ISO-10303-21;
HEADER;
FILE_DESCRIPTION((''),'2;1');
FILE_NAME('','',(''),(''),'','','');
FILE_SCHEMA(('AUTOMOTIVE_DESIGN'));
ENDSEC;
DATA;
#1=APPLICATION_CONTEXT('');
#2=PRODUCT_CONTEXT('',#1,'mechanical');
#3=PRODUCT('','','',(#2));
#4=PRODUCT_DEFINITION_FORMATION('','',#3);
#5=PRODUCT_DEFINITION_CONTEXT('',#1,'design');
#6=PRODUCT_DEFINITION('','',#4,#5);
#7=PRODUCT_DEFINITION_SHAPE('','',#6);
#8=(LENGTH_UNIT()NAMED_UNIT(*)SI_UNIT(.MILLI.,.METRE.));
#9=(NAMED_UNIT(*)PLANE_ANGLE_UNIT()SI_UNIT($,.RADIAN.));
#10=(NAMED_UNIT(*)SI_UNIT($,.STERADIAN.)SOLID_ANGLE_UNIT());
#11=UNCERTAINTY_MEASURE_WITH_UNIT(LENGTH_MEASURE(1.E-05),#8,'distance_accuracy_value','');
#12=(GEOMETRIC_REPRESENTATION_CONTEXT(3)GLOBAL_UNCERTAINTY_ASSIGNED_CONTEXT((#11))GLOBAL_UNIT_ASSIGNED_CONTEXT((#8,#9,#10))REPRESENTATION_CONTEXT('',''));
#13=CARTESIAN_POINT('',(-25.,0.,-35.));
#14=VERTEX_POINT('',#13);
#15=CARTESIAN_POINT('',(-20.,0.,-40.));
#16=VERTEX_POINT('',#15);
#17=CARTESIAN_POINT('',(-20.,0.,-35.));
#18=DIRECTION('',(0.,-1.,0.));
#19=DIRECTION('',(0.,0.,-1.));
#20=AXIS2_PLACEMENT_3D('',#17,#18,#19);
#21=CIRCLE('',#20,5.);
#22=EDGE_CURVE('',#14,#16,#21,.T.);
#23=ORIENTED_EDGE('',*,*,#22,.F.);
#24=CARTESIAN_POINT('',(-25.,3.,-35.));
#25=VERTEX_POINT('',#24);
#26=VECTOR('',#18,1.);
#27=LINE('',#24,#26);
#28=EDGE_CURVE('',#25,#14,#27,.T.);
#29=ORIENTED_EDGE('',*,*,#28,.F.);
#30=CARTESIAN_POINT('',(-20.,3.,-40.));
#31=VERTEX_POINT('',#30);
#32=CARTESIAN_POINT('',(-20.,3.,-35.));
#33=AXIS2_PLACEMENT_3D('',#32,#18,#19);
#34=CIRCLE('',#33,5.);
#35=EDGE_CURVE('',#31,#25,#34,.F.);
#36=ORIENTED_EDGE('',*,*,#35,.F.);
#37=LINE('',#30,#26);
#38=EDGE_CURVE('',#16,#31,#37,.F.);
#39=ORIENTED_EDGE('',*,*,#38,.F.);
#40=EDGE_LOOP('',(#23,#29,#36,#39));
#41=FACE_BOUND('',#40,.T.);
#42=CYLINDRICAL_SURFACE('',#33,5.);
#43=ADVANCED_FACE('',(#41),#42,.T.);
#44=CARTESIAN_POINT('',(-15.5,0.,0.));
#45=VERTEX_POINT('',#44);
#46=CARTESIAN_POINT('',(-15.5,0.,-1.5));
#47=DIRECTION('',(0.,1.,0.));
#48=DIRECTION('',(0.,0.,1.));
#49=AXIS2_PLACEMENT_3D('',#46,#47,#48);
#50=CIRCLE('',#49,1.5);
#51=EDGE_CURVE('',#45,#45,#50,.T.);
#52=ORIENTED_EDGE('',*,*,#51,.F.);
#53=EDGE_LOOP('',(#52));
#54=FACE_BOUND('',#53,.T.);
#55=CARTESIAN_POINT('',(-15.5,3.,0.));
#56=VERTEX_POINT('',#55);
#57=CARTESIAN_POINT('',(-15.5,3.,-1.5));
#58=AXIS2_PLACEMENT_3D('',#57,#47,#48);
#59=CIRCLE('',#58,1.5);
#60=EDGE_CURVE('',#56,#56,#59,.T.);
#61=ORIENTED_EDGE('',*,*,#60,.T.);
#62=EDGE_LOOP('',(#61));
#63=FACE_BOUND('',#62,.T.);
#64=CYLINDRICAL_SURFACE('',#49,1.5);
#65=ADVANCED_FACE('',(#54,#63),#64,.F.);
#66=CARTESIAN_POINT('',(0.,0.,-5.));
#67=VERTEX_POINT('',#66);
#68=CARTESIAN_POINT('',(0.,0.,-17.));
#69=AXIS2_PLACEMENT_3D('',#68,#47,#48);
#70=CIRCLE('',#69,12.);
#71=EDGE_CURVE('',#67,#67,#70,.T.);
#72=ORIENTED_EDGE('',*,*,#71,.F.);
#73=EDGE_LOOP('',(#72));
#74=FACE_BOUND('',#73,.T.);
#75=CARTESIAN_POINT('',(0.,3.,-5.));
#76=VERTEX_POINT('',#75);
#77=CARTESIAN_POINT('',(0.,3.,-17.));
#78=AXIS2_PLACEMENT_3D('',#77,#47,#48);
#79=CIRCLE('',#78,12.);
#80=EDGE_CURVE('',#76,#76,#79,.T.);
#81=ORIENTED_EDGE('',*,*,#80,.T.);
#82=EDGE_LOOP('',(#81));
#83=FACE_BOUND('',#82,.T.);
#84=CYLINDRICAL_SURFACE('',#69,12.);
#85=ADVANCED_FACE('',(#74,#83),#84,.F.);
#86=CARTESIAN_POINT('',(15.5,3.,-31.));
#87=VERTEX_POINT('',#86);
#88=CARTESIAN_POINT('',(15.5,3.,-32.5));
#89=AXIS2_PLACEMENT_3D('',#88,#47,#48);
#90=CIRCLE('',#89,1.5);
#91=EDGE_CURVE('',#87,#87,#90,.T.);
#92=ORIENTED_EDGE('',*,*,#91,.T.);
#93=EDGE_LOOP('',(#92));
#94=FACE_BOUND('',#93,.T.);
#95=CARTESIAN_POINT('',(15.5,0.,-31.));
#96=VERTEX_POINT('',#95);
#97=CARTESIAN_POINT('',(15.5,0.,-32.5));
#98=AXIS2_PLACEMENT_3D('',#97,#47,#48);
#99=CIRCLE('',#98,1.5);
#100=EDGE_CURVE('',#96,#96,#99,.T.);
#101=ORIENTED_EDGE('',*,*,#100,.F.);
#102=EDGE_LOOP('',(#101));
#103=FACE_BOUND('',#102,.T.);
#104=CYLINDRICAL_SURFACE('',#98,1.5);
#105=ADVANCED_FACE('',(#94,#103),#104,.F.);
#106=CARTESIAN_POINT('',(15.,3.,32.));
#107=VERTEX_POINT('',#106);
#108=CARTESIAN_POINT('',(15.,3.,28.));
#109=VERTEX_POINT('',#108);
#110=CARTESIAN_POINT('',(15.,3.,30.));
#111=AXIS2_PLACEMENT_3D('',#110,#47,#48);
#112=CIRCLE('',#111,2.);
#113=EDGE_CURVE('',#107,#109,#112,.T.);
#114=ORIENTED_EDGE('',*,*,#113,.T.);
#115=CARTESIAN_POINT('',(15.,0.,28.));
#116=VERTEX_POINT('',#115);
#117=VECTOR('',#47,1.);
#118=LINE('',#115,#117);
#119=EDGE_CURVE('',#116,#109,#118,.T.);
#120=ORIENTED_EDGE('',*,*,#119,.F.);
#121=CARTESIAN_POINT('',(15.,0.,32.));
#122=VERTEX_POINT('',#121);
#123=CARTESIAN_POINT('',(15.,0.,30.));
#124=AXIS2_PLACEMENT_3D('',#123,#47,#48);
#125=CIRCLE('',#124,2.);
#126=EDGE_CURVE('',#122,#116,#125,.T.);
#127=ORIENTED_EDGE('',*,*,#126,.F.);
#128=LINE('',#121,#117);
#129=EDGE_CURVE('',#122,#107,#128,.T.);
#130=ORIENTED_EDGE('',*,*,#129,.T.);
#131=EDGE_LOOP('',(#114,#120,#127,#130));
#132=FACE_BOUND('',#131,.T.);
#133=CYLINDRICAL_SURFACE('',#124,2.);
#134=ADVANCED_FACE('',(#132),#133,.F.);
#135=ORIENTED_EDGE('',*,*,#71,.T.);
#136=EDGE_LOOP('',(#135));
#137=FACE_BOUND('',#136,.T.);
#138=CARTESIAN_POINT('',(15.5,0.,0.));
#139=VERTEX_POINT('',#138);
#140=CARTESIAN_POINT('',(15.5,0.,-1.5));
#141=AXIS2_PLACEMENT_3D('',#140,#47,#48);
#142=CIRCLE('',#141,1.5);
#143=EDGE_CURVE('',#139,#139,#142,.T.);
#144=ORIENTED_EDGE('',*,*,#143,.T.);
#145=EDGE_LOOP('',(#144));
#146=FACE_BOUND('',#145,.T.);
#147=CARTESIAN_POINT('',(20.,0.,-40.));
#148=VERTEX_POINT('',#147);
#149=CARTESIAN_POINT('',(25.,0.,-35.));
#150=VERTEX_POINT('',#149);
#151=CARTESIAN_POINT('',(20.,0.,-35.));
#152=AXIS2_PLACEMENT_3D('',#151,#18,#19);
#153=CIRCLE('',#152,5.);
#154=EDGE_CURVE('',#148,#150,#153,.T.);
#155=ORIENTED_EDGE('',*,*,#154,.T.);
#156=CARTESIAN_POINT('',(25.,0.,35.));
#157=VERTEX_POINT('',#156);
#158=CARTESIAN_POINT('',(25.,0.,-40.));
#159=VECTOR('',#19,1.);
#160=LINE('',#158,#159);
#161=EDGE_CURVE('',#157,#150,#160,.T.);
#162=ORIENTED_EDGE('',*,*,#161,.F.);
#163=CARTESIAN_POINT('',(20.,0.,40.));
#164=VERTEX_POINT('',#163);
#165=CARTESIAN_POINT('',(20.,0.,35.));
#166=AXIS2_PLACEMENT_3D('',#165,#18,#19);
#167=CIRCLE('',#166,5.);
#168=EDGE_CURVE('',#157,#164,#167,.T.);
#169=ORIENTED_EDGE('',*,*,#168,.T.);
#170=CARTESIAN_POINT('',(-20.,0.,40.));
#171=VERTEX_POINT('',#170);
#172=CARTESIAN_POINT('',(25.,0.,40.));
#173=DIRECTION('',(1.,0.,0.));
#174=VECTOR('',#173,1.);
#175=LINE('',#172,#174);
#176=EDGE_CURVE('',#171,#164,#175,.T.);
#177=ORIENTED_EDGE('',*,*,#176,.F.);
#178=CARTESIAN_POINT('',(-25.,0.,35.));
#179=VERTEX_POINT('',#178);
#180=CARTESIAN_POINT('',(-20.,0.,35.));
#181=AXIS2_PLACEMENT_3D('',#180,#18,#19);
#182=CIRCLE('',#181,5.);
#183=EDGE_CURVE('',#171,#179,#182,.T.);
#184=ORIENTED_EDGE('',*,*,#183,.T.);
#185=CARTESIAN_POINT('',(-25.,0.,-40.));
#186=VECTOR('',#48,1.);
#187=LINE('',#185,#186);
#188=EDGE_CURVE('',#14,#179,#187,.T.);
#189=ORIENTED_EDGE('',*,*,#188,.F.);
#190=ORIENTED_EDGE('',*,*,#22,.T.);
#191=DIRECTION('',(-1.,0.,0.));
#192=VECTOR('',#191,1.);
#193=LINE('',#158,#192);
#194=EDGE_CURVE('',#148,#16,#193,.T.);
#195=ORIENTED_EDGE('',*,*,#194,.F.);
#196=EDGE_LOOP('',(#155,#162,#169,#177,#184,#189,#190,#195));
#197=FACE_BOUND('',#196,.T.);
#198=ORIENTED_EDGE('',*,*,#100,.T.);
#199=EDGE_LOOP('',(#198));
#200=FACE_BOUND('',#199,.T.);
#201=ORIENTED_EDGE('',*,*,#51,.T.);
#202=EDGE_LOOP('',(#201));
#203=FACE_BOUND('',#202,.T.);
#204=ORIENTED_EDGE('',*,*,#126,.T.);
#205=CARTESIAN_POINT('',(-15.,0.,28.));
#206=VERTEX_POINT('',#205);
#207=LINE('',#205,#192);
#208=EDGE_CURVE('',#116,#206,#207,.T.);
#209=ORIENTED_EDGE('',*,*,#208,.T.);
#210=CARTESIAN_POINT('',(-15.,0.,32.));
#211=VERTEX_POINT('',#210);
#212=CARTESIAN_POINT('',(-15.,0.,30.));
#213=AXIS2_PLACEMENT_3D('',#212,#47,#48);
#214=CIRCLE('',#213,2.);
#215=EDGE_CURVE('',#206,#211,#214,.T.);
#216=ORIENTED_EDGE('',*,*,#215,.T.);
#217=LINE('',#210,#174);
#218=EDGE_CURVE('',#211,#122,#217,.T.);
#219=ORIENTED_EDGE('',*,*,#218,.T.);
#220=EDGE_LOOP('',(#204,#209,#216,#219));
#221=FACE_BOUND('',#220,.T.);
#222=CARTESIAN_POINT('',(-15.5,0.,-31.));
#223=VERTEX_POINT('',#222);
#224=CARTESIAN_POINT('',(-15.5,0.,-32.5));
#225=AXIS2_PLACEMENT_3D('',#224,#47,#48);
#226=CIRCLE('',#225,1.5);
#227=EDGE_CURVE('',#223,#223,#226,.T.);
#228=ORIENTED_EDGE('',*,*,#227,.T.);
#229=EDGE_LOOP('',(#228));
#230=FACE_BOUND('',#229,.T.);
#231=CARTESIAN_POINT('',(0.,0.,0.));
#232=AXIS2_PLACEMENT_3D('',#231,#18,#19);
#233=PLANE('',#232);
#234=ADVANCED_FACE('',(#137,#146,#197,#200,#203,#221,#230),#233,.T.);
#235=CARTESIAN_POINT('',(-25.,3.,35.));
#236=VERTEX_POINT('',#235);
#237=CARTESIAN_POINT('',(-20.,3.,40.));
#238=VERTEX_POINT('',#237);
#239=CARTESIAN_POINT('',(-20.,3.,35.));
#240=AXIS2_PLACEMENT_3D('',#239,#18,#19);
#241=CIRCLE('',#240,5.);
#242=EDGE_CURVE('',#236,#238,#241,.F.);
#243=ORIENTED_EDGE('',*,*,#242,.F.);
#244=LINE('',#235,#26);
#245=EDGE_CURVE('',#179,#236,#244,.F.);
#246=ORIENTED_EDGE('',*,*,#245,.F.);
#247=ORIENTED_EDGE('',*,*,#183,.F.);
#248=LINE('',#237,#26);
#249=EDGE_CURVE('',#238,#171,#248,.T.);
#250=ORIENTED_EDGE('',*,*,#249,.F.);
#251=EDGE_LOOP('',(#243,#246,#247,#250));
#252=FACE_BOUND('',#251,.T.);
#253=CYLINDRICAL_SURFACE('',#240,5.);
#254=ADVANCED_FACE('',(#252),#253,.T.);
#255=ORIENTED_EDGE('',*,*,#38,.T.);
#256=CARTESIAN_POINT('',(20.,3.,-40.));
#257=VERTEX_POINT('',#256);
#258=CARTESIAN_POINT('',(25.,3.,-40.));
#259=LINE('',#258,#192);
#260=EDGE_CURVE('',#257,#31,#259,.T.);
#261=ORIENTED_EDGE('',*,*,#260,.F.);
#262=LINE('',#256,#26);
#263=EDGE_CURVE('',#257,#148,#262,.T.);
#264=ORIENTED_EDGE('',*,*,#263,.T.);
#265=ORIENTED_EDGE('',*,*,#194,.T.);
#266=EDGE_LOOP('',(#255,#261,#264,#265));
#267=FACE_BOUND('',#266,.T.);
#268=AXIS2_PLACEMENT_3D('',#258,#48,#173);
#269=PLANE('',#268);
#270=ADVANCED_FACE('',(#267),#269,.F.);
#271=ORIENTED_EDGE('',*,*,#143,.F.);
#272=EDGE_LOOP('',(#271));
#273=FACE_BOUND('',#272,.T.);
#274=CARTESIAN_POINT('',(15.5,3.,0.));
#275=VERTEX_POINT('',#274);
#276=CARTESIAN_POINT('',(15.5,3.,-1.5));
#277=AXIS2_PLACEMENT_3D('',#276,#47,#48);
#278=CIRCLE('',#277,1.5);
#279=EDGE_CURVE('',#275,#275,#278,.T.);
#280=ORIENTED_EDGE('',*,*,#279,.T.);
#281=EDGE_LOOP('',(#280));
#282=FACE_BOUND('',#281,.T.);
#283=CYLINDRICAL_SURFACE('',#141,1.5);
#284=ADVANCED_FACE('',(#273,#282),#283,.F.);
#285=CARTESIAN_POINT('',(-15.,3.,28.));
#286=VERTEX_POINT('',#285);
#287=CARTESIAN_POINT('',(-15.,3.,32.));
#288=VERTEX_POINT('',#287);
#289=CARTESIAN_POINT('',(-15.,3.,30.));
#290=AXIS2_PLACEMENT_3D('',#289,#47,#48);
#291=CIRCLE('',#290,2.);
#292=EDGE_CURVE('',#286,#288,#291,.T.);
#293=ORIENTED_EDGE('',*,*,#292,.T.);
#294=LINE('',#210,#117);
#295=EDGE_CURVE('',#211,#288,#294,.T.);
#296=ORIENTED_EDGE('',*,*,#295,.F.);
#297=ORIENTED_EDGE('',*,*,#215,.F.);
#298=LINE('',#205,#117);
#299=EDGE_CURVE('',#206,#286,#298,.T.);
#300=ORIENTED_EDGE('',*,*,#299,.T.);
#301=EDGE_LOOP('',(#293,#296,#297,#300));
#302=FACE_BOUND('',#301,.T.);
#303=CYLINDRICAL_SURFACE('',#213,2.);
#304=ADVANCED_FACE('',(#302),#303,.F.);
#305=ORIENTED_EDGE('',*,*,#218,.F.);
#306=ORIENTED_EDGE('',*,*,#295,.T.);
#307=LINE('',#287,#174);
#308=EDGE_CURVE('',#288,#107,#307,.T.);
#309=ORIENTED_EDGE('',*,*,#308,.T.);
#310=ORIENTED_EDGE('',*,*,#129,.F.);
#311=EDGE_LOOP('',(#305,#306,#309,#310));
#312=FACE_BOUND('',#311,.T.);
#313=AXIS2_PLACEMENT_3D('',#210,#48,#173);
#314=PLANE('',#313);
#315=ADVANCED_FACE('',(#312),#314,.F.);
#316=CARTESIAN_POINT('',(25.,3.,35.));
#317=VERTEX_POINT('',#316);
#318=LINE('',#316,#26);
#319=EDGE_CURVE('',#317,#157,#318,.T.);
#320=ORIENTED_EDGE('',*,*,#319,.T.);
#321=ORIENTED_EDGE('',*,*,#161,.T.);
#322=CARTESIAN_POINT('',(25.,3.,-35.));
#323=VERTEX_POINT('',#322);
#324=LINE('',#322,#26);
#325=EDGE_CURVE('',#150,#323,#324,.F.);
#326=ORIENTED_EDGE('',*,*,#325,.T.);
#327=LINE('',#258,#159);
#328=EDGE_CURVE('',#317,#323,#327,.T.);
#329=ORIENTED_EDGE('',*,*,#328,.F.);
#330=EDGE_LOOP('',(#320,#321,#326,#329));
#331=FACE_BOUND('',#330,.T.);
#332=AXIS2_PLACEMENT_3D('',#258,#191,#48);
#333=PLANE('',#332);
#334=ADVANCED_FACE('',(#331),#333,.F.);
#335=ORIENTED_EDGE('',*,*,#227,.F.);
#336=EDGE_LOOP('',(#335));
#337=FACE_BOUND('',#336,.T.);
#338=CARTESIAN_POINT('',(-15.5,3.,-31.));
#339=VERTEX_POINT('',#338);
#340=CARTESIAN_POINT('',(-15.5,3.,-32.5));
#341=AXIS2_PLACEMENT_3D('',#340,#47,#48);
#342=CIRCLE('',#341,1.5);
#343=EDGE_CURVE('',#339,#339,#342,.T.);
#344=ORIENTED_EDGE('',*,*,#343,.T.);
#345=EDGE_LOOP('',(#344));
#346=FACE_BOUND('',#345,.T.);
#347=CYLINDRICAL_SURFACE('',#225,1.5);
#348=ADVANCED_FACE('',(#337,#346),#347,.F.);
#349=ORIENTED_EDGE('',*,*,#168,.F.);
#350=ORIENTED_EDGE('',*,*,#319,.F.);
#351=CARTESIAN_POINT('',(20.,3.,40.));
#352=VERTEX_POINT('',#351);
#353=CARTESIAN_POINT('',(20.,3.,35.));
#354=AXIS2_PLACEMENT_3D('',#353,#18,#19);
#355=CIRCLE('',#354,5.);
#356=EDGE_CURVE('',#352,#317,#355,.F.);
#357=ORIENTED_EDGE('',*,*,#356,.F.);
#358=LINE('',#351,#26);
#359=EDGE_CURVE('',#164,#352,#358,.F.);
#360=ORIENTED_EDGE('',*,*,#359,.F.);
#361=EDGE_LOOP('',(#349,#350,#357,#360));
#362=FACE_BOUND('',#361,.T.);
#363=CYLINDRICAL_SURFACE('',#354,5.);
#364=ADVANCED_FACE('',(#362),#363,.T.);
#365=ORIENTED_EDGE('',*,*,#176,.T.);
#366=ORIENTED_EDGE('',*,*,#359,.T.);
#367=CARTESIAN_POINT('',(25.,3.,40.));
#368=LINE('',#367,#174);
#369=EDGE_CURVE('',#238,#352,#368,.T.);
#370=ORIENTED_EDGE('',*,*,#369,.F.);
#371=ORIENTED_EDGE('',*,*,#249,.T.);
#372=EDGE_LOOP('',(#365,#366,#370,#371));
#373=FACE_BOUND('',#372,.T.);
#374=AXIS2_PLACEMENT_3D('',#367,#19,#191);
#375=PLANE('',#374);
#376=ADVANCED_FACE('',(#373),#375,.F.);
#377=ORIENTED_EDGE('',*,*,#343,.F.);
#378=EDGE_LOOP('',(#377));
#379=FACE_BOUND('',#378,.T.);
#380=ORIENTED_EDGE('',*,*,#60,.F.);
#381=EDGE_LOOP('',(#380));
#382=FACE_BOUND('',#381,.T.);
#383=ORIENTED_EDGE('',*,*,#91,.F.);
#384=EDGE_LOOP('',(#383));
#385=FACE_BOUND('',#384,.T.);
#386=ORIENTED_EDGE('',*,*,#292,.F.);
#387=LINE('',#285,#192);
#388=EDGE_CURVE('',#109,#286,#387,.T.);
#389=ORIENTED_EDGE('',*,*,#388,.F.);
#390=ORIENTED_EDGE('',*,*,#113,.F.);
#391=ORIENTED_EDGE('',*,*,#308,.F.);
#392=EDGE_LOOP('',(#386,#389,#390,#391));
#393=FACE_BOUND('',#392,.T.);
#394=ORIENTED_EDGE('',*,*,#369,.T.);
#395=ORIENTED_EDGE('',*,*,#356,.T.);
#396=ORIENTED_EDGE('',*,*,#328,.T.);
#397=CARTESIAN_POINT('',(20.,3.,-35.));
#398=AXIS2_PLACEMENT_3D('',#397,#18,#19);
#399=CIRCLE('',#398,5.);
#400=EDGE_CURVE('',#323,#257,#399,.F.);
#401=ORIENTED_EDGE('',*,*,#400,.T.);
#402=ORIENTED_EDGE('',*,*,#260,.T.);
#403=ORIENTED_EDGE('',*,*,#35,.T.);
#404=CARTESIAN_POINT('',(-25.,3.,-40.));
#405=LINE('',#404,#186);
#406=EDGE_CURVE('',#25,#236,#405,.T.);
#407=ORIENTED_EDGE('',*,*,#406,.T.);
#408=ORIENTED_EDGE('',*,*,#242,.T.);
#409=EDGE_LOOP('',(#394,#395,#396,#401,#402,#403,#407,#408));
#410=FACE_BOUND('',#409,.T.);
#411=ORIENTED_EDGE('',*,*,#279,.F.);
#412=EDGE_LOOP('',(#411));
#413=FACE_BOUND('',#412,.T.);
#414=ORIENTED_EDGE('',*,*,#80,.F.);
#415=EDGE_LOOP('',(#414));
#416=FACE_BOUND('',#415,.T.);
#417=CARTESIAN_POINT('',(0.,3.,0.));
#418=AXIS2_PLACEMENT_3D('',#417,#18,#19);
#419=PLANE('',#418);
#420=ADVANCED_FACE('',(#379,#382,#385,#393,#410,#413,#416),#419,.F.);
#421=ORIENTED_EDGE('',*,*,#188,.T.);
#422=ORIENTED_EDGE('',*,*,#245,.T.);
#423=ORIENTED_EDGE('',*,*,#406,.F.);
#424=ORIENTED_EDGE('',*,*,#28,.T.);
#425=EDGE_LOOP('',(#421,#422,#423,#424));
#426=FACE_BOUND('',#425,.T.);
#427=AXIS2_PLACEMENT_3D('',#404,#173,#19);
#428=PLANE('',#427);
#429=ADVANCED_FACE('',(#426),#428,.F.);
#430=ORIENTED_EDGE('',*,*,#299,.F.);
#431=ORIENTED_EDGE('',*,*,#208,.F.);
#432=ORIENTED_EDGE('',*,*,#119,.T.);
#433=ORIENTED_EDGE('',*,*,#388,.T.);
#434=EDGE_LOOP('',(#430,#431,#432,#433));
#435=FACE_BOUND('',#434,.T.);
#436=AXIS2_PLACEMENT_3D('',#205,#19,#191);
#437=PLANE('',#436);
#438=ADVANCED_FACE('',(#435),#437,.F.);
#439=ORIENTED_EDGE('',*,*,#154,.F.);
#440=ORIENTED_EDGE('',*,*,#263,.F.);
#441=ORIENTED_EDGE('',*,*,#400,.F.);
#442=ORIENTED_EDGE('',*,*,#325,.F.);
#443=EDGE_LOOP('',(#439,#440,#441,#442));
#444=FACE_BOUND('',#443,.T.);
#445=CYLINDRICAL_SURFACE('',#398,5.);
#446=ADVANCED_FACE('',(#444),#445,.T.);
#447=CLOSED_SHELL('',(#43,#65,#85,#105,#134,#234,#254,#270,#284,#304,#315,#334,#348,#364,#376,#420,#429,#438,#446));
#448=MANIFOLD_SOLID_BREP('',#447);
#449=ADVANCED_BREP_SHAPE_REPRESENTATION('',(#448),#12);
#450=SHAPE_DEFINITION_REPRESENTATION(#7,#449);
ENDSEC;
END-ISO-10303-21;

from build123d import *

# Parameters (mm, degrees)
SKETCH1_W           = 50
SKETCH1_H           = 80
BOSS_EXTRUDE1_DEPTH = 3
SKETCH2_R           = 1.5
SKETCH2_R_2         = 12
CUT_EXTRUDE1_DEPTH  = 48.265209192
FILLET1_R           = 5


with BuildPart() as part:
    # Sketch1 → Boss-Extrude1 (new body)
    with BuildSketch(Plane(origin=(0, 0, 0), x_dir=(1, 0, 0), z_dir=(0, 1, 0))):
        Rectangle(SKETCH1_W, SKETCH1_H)
    extrude(amount=BOSS_EXTRUDE1_DEPTH)

    # Sketch2 → Cut-Extrude1 (cut, through all)
    with BuildSketch(Plane(origin=(0, 3, 0), x_dir=(1, 0, 0), z_dir=(0, 1, 0))):
        with Locations(Location((15.5, 32.5, 0), (0, 0, 270))):
            Circle(SKETCH2_R)
        with Locations(Location((-15.5, 32.5, 0), (0, 0, 270))):
            Circle(SKETCH2_R)
        with Locations(Location((-15.5, 1.5, 0), (0, 0, 270))):
            Circle(SKETCH2_R)
        with Locations(Location((15.5, 1.5, 0), (0, 0, 270))):
            Circle(SKETCH2_R)
        with Locations(Location((0, 17, 0), (0, 0, 270))):
            Circle(SKETCH2_R_2)
        with BuildLine():
            Line((-15, -28), (15, -28))
            ThreePointArc((15, -28), (17, -30), (15, -32))
            Line((15, -32), (-15, -32))
            ThreePointArc((-15, -32), (-17, -30), (-15, -28))
        make_face()
    extrude(amount=-CUT_EXTRUDE1_DEPTH, mode=Mode.SUBTRACT)

    # Fillet1
    fillet1_edges = [part.edges().sort_by_distance(p)[0] for p in [
        (-25, 1.5, -40),
        (25, 1.5, -40),
        (25, 1.5, 40),
        (-25, 1.5, 40),
    ]]
    fillet(fillet1_edges, radius=FILLET1_R)


solid = part.part
